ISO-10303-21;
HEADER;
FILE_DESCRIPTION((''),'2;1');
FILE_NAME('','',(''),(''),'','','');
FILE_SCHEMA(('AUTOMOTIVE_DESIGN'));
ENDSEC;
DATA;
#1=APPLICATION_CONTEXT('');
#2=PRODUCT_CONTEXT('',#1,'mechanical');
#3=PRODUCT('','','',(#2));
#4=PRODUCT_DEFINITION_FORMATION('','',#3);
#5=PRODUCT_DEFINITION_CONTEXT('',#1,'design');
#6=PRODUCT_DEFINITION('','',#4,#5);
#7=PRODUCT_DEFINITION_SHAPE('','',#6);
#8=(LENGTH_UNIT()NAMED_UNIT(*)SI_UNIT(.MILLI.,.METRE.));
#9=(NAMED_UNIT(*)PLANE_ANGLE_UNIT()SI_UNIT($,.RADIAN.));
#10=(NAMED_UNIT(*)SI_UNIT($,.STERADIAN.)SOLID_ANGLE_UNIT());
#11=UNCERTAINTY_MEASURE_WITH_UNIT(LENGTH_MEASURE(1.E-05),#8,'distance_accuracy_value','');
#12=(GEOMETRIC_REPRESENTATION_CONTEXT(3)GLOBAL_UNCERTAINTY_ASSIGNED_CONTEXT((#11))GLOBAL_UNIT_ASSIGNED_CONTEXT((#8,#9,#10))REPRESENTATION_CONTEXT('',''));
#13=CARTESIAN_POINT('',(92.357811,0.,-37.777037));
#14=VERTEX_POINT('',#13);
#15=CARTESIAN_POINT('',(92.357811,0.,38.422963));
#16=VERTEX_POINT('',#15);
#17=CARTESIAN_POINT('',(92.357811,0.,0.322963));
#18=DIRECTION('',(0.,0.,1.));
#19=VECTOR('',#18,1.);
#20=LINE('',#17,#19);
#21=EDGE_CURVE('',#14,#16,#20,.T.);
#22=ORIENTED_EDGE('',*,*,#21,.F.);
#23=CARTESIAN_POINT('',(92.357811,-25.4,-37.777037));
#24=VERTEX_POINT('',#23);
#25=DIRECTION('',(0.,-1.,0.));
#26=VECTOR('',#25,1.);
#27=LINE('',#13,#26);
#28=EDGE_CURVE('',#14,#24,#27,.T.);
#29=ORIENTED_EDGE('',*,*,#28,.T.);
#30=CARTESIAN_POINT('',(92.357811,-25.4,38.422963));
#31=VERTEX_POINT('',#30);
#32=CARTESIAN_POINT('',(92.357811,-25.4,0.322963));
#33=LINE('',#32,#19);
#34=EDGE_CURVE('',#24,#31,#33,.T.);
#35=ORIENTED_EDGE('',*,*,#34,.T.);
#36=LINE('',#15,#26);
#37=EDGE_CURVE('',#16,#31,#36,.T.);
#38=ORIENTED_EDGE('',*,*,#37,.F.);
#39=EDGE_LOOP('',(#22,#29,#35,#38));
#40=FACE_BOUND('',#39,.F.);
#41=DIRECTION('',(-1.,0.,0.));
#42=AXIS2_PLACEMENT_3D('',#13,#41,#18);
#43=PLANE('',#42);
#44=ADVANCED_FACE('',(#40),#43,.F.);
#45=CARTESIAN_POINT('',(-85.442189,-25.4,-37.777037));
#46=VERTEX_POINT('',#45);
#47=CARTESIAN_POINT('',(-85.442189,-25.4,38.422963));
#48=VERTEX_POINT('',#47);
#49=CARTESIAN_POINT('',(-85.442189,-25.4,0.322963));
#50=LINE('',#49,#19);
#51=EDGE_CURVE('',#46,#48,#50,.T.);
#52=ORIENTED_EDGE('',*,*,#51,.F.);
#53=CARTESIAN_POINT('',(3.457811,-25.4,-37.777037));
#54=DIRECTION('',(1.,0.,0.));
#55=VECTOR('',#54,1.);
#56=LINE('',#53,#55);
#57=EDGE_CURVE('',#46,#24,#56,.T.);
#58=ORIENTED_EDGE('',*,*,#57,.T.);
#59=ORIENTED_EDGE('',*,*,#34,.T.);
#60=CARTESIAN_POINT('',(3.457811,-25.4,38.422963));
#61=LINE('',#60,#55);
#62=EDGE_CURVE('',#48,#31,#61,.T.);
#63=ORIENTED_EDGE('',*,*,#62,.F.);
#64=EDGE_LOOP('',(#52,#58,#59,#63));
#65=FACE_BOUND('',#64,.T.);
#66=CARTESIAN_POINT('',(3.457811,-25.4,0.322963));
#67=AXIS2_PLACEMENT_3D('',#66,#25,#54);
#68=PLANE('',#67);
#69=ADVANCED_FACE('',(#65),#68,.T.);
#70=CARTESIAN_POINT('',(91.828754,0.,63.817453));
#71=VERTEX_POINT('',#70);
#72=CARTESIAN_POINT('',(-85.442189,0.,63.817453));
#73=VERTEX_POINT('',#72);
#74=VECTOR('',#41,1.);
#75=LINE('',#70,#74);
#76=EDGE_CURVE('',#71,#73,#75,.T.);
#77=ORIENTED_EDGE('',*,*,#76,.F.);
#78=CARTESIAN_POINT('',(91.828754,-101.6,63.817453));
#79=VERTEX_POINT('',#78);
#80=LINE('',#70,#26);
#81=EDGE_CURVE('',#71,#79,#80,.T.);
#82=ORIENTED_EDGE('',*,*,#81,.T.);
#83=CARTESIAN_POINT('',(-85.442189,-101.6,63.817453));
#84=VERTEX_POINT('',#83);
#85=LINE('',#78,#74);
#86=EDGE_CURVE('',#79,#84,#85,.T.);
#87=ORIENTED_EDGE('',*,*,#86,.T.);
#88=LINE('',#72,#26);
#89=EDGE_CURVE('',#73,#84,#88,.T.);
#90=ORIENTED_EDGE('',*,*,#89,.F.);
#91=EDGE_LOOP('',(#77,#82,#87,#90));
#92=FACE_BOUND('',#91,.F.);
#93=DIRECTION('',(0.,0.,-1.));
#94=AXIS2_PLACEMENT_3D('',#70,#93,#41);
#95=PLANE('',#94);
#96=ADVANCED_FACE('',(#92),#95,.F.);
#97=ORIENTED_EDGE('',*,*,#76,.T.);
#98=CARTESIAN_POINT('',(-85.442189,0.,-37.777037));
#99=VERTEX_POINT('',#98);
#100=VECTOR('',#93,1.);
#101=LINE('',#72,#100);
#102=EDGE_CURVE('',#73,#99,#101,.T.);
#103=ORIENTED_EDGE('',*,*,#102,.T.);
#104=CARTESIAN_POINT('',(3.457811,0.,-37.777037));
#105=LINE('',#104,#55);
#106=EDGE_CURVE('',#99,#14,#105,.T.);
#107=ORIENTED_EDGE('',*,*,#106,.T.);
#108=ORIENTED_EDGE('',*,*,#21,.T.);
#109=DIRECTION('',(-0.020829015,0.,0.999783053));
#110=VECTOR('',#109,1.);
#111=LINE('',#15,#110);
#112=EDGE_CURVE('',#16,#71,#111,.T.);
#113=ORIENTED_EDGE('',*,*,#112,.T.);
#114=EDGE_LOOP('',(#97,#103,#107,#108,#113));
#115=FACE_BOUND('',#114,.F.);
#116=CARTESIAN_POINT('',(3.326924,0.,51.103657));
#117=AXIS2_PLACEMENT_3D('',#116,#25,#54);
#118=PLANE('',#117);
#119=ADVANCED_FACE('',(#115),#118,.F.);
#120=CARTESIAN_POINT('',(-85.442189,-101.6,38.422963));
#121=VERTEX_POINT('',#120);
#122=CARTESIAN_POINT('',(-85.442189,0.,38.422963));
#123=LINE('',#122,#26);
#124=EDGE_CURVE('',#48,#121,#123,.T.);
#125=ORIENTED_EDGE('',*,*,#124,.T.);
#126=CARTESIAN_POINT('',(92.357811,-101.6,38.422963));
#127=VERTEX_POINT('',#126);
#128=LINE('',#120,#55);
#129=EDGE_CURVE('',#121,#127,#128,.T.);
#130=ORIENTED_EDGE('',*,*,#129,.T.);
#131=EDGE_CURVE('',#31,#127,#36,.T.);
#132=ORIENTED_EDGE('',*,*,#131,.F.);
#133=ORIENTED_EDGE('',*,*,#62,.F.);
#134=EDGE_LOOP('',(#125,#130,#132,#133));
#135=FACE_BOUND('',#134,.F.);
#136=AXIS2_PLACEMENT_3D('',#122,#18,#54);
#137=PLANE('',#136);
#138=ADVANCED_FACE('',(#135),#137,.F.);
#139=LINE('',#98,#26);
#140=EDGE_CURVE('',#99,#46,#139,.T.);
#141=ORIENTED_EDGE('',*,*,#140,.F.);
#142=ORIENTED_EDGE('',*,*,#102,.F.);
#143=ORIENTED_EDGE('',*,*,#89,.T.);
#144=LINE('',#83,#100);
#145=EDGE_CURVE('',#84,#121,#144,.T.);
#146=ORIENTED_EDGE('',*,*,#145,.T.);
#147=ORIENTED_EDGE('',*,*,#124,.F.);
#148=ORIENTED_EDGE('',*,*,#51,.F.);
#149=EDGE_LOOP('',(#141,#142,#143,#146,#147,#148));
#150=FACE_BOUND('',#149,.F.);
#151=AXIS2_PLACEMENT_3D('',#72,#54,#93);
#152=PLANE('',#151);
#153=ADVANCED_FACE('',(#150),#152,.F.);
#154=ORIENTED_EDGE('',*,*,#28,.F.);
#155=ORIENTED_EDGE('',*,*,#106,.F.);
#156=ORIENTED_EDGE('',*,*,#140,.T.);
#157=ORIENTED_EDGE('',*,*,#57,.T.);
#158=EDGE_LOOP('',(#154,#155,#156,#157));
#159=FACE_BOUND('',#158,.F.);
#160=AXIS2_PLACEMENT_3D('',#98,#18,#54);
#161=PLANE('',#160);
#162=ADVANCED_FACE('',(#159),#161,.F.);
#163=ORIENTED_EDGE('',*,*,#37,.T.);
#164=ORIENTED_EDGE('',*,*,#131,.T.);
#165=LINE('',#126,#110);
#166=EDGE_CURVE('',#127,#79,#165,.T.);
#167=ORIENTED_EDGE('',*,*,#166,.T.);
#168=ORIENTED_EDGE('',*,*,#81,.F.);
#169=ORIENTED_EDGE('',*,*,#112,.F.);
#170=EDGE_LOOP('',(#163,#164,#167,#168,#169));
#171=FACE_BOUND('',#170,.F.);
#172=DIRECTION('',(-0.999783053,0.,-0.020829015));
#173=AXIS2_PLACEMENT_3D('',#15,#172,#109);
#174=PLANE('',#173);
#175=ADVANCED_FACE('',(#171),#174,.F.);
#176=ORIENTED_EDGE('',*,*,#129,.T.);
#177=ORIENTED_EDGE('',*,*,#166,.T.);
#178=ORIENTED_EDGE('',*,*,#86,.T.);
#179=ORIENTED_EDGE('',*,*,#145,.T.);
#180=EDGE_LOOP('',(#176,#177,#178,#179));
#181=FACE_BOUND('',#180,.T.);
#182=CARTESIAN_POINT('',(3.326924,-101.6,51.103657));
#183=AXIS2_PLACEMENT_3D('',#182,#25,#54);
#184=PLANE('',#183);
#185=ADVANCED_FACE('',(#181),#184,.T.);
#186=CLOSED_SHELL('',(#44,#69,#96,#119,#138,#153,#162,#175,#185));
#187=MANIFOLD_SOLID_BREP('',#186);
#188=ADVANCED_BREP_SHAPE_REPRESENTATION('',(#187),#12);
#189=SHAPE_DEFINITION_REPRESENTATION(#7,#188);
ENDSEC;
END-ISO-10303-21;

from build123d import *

# Parameters (mm, degrees)
F0_W     = 177.8
F0_H     = 76.2
F1_DEPTH = 25.4
F2_DEPTH = 101.6


with BuildPart() as f1:
    # F0 (on Front) → F1 (new body)
    with BuildSketch(Plane.XZ):
        with Locations((3.457811, 0.322963)):
            Rectangle(F0_W, F0_H)
    extrude(amount=F1_DEPTH)

    # F0 (on Front) → F2 (join)
    with BuildSketch(Plane.XZ):
        Polygon((-85.442189, 63.817453), (-85.442189, 38.422963), (92.357811, 38.422963), (91.828754, 63.817453), align=None)
    extrude(amount=F2_DEPTH)


solid = f1.part
